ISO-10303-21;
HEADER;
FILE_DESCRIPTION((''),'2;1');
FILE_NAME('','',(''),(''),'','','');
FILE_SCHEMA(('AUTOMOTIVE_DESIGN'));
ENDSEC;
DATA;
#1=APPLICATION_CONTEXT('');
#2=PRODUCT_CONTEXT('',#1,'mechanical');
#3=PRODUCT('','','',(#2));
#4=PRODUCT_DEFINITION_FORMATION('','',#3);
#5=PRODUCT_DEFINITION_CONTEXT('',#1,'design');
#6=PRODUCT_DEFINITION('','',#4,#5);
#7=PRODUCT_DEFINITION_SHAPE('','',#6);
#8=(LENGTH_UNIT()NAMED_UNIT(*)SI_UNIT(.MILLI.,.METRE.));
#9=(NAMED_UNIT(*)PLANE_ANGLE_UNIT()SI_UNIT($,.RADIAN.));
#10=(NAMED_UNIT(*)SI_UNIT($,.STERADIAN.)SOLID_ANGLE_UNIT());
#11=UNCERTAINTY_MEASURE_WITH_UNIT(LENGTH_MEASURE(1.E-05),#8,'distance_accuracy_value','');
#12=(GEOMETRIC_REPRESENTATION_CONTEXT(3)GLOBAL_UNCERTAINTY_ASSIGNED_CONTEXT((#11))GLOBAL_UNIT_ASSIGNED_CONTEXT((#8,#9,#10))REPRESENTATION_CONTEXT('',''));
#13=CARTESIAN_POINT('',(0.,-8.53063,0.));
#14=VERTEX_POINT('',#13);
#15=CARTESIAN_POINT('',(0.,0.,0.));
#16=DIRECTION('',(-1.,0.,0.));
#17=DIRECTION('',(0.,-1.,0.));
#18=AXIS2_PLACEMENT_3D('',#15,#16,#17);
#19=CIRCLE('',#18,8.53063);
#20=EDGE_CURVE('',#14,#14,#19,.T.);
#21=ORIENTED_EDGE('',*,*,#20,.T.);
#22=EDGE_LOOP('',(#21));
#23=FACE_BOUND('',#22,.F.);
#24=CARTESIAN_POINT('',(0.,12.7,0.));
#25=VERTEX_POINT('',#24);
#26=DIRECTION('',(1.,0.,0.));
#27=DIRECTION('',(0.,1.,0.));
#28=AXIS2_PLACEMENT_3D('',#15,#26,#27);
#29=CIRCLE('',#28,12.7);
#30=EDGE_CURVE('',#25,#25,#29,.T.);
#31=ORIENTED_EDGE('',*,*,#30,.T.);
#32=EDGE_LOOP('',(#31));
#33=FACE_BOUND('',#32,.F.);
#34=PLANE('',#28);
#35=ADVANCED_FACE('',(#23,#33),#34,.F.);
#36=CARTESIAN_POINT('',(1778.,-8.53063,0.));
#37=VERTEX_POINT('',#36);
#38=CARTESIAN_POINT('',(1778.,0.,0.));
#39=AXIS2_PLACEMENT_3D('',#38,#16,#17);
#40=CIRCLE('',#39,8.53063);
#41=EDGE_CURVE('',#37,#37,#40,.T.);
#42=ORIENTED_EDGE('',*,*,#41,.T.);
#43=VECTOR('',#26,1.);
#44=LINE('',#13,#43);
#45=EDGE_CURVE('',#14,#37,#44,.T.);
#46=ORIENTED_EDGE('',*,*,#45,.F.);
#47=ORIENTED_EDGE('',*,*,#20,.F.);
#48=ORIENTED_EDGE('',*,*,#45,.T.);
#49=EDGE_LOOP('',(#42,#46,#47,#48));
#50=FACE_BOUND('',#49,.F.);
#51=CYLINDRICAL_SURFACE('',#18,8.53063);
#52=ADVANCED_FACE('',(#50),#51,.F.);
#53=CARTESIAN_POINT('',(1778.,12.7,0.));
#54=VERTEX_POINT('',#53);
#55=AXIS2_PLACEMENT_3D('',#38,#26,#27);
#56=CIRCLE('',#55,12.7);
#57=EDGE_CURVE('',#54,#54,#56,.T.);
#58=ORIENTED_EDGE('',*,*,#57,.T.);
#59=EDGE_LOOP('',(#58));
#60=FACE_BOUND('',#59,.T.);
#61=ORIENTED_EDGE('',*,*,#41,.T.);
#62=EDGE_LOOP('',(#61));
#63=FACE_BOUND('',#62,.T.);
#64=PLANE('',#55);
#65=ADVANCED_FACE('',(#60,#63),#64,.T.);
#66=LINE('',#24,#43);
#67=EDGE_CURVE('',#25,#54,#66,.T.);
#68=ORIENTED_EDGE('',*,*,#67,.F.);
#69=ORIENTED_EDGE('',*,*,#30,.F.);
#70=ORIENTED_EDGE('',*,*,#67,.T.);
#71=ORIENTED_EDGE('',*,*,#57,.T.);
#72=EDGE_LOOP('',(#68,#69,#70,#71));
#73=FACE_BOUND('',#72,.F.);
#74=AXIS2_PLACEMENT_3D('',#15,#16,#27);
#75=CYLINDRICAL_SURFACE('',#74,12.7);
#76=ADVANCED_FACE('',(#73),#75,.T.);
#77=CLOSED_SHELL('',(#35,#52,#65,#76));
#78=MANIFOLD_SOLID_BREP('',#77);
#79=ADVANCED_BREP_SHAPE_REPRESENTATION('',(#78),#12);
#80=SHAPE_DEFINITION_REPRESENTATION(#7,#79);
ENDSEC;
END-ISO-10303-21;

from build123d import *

# Parameters (mm, degrees)
F0_R     = 12.7
F1_DEPTH = 1778
F2_R     = 8.53063
F3_DEPTH = 1778.001


with BuildPart() as f1:
    # F0 (on Right) → F1 (new body)
    with BuildSketch(Plane.YZ):
        Circle(F0_R)
    extrude(amount=F1_DEPTH)

    # F2 (on face) → F3 (cut, through all)
    with BuildSketch(Plane(origin=(0, 0, 0), x_dir=(0, -1, 0), z_dir=(-1, 0, 0))):
        Circle(F2_R)
    extrude(amount=-F3_DEPTH, mode=Mode.SUBTRACT)


solid = f1.part
